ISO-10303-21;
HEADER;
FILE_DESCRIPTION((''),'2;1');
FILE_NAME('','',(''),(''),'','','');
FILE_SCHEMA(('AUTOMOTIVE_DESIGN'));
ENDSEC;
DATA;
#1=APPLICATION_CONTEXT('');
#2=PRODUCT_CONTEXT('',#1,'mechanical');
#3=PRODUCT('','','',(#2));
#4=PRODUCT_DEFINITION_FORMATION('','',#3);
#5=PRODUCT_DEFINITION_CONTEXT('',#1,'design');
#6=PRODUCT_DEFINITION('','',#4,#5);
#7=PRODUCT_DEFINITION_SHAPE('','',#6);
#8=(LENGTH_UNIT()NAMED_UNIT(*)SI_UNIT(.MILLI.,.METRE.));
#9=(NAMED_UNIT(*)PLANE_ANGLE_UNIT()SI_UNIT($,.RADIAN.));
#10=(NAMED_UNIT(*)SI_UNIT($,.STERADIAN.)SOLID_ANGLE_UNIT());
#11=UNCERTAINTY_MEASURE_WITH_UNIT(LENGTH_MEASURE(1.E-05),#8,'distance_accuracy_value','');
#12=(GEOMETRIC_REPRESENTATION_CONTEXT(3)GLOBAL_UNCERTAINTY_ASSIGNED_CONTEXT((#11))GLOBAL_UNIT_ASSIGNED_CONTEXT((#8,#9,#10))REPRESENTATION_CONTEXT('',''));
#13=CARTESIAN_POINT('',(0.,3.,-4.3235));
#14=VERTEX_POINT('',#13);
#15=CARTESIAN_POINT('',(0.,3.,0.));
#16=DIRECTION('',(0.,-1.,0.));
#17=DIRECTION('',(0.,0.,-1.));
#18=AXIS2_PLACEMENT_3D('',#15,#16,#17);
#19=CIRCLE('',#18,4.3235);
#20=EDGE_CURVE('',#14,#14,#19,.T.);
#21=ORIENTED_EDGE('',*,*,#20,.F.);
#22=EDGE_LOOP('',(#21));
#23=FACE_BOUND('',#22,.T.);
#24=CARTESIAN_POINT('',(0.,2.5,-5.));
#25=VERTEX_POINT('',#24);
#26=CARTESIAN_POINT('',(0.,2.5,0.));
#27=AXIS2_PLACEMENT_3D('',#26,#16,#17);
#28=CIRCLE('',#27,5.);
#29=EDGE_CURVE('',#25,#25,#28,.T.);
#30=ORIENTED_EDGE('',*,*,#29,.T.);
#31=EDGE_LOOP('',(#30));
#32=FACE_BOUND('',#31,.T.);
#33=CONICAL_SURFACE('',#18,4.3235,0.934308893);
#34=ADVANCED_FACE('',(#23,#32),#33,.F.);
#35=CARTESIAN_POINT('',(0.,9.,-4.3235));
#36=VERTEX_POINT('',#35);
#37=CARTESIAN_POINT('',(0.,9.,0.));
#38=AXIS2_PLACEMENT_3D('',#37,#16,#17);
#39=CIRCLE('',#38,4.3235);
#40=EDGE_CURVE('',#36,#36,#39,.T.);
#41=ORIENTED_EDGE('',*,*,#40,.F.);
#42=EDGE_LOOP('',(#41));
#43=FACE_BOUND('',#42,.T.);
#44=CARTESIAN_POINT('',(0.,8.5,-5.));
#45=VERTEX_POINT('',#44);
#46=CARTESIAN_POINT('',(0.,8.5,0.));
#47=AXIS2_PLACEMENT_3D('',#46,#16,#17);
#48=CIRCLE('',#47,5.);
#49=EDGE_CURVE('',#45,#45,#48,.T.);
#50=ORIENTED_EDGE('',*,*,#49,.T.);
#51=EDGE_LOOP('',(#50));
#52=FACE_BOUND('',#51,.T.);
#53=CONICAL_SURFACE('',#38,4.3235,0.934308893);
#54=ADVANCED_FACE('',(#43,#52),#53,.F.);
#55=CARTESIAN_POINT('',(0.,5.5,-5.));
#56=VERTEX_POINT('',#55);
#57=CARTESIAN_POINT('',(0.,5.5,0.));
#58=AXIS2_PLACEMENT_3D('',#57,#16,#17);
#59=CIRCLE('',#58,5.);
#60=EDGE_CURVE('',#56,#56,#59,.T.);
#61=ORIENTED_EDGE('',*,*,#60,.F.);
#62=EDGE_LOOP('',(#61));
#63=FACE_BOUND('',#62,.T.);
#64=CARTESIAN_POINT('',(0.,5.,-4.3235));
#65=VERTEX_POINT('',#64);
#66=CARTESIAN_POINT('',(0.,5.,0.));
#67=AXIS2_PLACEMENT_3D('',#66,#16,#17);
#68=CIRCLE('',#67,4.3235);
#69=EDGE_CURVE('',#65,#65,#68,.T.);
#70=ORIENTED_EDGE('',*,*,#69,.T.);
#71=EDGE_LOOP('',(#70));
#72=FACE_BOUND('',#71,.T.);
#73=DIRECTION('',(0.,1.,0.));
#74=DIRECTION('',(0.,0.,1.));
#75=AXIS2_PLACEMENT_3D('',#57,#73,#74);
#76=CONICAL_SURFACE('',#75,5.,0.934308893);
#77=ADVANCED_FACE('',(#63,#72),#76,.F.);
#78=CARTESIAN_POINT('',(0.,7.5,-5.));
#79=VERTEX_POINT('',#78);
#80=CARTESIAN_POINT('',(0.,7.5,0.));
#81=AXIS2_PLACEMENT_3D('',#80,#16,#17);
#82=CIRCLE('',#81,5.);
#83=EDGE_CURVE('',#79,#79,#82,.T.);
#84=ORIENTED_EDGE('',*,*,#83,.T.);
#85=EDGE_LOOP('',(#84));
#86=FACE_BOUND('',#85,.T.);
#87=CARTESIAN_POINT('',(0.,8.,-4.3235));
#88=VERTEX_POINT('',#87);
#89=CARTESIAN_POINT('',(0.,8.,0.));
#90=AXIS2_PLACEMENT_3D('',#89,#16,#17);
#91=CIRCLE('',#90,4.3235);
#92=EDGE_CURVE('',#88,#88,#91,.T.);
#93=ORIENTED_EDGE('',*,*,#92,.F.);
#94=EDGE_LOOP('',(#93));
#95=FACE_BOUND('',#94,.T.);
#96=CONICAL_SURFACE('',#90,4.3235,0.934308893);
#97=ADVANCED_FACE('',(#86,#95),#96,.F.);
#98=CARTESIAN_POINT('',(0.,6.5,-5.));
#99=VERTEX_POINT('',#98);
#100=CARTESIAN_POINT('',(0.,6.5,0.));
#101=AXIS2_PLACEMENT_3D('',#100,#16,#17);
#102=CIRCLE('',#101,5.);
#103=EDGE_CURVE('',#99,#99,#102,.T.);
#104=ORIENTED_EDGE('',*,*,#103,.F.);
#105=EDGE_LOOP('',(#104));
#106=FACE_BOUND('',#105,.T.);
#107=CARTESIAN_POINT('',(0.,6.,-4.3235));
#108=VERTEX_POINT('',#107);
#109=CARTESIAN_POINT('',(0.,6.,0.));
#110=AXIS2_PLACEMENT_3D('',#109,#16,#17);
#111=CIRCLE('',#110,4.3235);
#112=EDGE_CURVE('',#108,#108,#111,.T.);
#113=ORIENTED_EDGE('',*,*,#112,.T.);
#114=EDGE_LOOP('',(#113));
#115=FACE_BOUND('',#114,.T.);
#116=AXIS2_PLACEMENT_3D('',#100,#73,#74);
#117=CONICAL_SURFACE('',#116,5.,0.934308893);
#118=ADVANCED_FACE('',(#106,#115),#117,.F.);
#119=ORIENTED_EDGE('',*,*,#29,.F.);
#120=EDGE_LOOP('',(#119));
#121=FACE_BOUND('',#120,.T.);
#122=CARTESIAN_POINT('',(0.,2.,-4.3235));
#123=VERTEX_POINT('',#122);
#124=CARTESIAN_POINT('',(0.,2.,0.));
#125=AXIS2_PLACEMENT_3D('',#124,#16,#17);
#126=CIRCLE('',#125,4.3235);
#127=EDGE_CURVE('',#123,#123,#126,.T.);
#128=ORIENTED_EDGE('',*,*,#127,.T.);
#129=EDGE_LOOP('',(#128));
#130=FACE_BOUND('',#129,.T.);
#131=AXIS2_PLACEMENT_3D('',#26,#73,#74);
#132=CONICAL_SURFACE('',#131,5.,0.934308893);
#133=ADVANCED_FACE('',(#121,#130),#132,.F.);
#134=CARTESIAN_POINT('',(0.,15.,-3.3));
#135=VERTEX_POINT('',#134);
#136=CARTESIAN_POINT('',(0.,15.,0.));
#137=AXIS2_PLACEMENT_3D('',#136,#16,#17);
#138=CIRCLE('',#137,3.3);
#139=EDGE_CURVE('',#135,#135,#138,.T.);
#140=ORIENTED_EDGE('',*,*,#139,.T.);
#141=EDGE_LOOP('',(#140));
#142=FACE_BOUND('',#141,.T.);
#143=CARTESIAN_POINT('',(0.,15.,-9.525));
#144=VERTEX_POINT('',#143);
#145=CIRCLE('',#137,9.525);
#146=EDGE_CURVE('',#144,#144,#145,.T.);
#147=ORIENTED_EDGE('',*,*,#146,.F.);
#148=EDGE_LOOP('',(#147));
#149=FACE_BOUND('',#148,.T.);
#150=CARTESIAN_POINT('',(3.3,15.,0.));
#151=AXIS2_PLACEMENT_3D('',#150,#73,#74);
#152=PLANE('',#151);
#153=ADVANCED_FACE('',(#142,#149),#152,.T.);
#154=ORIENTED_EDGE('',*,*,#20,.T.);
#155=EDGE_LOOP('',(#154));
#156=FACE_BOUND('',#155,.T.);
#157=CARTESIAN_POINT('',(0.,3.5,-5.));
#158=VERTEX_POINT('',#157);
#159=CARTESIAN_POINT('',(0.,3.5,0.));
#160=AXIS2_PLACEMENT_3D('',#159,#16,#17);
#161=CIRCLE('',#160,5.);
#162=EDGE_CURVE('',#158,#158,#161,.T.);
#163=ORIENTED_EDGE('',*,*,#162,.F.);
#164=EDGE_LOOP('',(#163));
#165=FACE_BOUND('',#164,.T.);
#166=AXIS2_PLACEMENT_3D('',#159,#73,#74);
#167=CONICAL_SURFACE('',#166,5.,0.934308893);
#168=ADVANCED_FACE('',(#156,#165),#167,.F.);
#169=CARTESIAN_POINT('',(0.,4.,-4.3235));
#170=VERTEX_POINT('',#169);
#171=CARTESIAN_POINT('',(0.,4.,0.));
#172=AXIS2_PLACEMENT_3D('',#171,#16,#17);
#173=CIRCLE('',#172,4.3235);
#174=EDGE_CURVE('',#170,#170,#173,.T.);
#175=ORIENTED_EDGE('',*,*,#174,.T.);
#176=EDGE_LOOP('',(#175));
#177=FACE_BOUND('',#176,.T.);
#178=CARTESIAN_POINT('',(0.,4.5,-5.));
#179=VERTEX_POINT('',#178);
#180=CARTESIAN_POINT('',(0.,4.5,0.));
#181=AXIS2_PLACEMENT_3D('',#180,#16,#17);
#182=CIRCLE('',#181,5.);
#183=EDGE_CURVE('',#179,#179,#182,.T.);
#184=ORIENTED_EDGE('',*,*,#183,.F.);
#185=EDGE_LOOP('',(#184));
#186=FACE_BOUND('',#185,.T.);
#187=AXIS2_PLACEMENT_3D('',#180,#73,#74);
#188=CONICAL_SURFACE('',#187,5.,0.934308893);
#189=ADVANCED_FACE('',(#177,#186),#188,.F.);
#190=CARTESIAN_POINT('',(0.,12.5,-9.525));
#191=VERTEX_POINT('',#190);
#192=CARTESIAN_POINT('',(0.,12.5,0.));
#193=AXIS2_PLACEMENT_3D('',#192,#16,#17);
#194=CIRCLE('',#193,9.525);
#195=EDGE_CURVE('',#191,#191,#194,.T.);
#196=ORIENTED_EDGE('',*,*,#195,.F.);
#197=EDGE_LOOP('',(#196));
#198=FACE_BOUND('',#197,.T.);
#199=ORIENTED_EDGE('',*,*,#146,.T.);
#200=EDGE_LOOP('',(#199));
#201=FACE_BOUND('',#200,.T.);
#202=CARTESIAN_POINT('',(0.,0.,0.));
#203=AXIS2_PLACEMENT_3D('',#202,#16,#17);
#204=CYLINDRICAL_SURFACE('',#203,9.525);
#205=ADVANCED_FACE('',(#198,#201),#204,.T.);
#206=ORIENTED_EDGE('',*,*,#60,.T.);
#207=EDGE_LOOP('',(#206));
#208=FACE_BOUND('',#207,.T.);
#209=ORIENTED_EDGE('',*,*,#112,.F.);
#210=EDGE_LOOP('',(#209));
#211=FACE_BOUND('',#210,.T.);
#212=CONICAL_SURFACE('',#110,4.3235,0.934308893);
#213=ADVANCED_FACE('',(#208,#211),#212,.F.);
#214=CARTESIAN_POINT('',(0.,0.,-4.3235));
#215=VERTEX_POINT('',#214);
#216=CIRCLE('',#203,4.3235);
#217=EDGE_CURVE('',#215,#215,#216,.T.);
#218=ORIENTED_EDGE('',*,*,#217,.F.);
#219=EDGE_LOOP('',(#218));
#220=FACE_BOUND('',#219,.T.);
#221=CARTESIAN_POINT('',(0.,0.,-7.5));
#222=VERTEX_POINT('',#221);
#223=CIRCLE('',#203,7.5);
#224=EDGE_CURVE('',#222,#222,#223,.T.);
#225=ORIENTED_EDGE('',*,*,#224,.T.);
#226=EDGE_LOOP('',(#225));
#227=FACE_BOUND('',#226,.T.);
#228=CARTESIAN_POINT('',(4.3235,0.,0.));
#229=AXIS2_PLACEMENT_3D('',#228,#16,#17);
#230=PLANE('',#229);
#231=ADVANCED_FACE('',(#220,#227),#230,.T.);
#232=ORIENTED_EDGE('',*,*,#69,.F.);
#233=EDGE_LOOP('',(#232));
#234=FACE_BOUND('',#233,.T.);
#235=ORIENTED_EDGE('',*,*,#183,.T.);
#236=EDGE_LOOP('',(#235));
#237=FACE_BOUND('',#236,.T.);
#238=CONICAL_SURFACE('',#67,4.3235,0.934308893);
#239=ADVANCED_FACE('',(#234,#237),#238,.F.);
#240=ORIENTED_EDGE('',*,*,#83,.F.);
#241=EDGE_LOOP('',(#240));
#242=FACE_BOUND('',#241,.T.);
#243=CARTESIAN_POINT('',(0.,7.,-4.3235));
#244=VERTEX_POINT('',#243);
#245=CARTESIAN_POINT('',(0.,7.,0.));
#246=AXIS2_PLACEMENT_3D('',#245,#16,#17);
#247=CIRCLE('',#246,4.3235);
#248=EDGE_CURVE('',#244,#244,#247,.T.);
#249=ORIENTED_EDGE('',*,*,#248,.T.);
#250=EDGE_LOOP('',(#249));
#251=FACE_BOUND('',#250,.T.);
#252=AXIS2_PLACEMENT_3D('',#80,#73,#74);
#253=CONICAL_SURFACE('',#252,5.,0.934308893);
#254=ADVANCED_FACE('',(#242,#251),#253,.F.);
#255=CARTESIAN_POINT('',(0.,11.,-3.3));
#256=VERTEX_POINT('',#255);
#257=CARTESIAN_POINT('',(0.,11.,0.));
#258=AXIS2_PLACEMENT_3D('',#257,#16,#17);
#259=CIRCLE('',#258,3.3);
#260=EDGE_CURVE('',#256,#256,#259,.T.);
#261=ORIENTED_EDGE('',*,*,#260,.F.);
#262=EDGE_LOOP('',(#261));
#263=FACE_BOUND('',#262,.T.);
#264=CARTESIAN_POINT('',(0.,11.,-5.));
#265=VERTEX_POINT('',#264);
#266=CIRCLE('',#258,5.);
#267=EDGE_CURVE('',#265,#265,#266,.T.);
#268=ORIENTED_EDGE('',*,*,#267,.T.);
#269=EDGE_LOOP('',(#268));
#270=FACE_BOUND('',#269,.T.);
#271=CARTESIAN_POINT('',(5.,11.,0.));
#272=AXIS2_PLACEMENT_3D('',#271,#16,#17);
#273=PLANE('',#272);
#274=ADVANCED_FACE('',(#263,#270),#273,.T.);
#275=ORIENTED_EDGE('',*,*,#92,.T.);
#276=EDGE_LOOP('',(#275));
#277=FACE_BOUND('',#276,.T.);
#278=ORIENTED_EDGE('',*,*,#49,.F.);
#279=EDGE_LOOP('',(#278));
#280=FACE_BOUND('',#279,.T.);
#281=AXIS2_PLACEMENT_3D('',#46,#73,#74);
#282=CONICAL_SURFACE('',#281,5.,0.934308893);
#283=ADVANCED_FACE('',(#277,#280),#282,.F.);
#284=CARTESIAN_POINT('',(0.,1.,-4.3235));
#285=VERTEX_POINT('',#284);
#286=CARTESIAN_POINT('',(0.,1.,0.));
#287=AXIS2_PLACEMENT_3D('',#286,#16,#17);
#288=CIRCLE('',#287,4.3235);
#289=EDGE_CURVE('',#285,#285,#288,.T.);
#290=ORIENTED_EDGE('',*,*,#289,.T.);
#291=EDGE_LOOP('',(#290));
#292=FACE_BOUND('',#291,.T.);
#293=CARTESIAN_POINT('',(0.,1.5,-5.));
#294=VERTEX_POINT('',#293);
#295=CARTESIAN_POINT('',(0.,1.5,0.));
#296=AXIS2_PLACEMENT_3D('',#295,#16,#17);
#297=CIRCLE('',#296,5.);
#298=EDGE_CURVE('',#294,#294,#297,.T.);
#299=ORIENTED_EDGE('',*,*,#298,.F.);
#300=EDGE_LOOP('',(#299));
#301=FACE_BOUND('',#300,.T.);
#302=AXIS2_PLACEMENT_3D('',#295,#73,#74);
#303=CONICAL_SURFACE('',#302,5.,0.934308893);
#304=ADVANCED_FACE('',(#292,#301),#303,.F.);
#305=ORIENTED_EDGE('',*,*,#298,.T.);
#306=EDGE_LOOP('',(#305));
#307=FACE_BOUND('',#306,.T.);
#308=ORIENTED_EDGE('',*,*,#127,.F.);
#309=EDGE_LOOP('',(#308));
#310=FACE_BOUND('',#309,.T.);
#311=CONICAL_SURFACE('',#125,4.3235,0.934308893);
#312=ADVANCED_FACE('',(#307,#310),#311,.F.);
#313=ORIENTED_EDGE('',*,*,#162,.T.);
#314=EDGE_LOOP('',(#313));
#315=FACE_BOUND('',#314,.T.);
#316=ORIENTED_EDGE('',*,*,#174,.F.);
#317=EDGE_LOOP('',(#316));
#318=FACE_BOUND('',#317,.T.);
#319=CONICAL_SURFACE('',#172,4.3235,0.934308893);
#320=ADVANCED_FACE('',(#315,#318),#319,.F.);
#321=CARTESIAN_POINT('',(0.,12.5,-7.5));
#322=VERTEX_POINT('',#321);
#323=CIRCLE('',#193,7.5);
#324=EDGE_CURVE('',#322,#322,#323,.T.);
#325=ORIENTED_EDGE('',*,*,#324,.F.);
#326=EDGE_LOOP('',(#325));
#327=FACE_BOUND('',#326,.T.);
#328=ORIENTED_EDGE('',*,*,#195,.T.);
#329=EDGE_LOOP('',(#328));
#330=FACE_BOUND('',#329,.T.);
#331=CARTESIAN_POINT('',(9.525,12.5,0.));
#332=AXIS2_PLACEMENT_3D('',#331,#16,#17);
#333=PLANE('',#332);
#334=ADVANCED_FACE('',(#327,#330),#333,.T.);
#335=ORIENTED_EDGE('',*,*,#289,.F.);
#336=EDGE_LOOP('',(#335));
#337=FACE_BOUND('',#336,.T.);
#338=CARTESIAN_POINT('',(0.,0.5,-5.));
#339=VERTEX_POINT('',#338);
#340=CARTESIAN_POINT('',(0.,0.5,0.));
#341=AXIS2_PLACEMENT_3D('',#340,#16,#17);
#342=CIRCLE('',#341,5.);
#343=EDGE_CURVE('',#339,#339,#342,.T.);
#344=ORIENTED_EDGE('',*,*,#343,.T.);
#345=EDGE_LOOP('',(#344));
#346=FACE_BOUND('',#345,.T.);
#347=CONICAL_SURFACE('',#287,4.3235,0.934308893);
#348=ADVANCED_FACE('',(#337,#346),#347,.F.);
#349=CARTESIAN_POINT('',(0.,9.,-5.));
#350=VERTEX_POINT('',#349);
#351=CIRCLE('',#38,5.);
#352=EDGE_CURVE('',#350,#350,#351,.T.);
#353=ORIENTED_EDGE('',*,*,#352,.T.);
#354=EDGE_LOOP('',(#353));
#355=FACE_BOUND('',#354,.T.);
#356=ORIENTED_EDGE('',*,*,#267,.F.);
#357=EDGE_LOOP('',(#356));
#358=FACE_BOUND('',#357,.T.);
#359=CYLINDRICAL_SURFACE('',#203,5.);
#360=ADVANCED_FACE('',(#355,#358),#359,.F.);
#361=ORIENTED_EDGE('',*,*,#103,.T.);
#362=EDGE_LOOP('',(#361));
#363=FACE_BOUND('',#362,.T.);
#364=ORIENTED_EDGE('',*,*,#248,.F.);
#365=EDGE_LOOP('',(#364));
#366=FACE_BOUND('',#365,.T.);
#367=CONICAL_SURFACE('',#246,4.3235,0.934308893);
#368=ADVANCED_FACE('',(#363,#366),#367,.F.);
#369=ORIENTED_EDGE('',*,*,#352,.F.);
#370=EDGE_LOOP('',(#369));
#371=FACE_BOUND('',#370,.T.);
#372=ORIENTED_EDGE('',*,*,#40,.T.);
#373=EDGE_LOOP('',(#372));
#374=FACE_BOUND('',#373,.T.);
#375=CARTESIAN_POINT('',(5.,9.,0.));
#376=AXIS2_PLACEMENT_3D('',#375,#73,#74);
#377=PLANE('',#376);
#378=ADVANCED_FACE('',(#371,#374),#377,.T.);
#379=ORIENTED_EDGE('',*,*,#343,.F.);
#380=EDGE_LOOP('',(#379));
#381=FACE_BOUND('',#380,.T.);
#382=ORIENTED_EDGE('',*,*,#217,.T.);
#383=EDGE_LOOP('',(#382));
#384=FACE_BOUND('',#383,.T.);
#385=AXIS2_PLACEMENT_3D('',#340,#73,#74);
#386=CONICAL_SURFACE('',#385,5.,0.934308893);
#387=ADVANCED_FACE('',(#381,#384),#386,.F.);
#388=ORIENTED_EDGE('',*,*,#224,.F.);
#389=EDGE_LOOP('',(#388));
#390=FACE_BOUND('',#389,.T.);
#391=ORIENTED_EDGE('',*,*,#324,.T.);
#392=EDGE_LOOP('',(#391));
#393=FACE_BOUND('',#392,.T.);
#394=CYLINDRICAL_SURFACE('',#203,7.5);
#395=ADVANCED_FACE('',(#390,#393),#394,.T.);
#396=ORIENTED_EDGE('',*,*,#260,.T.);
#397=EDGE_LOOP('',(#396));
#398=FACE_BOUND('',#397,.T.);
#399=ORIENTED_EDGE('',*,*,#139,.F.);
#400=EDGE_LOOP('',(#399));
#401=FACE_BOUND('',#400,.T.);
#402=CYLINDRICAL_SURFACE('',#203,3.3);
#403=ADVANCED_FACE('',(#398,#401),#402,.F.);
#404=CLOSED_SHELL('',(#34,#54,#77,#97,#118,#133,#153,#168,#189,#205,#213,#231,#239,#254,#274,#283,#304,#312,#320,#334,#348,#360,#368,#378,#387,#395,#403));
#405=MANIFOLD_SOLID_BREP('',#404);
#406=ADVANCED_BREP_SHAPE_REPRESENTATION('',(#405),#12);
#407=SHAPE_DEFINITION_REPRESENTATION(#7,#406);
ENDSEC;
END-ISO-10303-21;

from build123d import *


with BuildPart() as part:
    # Sketch1 → Revolve1 (revolve)
    with BuildSketch(Plane.XY, mode=Mode.PRIVATE) as revolve1_sk:
        Polygon((7.5, 0), (7.5, 12.5), (9.525, 12.5), (9.525, 15), (3.3, 15), (3.3, 11), (5, 11), (5, 9), (4.3235, 9), (5, 8.5), (4.3235, 8), (5, 7.5), (4.3235, 7), (5, 6.5), (4.3235, 6), (5, 5.5), (4.3235, 5), (5, 4.5), (4.3235, 4), (5, 3.5), (4.3235, 3), (5, 2.5), (4.3235, 2), (5, 1.5), (4.3235, 1), (5, 0.5), (4.3235, 0), align=None)
    revolve(revolve1_sk.sketch.rotate(Axis((0, 0, 0), (0, 1, 0)), 90), axis=Axis((0, 0, 0), (0, 1, 0)))  # turned: the seam where the file's is


solid = part.part
